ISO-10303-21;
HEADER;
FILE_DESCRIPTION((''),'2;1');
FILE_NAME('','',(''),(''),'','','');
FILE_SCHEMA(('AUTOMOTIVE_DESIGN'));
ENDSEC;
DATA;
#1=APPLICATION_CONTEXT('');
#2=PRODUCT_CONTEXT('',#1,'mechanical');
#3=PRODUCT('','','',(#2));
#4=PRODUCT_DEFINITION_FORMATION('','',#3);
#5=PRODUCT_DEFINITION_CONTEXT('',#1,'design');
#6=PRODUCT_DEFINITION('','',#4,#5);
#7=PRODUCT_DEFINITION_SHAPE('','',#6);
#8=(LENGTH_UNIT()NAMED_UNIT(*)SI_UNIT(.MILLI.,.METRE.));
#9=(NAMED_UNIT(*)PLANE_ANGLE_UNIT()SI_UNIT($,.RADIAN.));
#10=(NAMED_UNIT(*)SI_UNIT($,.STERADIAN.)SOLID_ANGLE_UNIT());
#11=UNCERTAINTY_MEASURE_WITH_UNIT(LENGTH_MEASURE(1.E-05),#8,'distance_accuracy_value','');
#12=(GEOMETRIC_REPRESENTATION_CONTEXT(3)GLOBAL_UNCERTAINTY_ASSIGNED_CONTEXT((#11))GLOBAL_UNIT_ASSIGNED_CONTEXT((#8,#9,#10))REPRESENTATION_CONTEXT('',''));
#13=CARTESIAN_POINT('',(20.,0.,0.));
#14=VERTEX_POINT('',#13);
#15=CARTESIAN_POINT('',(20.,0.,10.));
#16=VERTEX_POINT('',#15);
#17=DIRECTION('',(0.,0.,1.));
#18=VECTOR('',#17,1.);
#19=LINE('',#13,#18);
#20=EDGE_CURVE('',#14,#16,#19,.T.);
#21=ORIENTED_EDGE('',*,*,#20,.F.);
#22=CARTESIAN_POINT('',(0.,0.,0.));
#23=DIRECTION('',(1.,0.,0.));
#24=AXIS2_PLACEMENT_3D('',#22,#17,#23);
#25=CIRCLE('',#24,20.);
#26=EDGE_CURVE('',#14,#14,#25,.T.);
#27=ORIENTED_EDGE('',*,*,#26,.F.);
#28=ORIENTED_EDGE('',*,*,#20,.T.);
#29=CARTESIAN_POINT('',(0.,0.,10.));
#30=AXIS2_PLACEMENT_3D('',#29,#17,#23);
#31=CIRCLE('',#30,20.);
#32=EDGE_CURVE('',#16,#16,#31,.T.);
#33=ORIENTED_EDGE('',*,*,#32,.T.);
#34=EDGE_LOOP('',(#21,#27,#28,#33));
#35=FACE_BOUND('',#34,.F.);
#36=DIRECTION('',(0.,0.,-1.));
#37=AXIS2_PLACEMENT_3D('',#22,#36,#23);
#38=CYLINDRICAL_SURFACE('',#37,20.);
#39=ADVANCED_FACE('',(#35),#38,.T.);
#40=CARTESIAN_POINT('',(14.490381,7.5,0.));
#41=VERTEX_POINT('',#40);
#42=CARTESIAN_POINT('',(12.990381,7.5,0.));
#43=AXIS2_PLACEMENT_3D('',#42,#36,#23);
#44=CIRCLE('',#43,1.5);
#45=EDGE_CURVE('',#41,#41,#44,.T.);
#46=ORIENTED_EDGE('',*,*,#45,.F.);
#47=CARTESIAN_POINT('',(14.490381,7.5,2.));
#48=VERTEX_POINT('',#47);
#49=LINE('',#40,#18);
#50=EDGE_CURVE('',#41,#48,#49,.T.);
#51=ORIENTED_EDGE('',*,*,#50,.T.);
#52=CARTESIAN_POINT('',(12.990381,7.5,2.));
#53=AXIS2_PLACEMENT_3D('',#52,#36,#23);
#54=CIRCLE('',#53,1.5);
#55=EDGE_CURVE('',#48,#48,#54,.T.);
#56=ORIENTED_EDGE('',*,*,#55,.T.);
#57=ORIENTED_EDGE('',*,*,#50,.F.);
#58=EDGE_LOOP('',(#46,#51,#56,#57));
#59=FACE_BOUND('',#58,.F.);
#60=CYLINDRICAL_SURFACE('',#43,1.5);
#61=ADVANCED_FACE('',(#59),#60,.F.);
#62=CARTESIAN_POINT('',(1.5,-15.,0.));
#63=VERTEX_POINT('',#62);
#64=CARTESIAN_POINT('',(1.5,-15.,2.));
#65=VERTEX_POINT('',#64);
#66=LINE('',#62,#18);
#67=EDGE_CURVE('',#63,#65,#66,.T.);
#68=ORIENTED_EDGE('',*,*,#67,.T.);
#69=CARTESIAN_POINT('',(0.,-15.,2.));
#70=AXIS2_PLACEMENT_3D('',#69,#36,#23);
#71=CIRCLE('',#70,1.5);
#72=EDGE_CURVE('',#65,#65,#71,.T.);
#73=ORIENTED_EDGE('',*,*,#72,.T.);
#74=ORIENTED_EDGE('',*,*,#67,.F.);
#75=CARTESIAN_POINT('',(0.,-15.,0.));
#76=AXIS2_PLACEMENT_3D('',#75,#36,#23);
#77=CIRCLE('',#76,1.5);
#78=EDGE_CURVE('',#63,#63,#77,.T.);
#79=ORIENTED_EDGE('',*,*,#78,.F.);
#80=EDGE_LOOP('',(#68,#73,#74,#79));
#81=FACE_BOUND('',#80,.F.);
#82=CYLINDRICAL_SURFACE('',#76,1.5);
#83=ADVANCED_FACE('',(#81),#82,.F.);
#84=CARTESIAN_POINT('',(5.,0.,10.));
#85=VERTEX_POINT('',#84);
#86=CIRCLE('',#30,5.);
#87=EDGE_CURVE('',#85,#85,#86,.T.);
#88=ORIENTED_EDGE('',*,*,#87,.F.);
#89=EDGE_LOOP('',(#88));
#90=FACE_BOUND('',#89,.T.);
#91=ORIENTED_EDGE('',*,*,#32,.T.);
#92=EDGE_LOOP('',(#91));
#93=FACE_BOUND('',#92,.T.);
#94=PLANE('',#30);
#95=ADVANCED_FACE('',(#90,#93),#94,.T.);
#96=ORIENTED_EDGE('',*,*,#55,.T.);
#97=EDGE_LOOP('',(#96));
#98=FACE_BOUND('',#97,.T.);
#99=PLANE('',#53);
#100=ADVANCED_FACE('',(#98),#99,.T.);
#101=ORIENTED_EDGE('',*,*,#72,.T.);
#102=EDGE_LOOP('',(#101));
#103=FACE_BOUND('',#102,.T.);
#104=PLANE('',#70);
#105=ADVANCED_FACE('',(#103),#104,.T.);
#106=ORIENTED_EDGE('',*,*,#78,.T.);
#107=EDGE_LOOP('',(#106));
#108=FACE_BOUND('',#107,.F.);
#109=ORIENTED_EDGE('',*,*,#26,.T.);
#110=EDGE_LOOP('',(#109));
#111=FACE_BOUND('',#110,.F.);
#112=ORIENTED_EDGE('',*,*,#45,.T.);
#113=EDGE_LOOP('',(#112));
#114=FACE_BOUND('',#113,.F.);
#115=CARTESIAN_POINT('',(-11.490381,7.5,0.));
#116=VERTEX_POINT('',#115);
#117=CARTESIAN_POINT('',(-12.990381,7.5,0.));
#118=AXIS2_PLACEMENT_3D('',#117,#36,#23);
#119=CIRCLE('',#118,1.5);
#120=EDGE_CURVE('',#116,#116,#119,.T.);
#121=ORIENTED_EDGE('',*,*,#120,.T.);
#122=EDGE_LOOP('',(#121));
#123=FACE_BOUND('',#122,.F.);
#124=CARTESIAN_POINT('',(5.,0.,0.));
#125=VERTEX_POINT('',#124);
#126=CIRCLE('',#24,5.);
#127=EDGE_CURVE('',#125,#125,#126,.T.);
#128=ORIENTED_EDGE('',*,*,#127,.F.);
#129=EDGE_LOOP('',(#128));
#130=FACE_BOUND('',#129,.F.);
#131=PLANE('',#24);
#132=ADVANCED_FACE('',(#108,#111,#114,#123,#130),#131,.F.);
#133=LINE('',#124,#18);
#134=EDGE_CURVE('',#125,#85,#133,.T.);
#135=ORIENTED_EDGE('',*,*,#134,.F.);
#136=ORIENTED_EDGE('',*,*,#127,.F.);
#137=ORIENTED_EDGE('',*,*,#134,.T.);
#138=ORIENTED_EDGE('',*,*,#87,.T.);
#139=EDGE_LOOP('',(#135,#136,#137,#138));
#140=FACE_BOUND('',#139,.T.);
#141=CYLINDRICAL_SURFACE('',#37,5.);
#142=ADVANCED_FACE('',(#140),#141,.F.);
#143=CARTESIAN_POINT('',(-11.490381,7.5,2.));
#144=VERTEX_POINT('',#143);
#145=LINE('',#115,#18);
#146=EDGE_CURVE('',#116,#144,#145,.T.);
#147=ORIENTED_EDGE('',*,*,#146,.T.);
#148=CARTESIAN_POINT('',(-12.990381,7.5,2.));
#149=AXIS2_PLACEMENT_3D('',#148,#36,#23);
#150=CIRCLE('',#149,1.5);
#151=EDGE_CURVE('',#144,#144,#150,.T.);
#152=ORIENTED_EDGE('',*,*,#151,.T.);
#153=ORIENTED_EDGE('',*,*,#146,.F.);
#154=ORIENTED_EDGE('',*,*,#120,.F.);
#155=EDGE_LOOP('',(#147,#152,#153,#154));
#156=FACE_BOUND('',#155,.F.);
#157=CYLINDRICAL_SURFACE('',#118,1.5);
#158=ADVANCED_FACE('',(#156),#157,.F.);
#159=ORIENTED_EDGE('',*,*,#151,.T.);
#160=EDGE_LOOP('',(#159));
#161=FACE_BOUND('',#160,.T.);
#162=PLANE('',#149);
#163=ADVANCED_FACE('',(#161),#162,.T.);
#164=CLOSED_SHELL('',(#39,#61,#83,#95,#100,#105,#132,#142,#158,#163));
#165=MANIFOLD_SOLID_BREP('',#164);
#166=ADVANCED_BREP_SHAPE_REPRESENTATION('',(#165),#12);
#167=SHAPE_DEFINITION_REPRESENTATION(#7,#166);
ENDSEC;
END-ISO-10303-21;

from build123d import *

# Parameters (mm, degrees)
F0_R     = 20
F0_R_2   = 5
F1_DEPTH = 10
F2_R     = 1.5
F3_DEPTH = 2


with BuildPart() as f1:
    # F0 (on Top) → F1 (new body)
    with BuildSketch(Plane.XY):
        Circle(F0_R)
        Circle(F0_R_2, mode=Mode.SUBTRACT)
    extrude(amount=F1_DEPTH)

    # F2 (on face) → F3 (cut)
    with BuildSketch(Plane(origin=(0, 0, 0), x_dir=(1, 0, 0), z_dir=(0, 0, -1))):
        with Locations((0, 15)):
            Circle(F2_R)
        with Locations((-12.990381, -7.5)):
            Circle(F2_R)
        with Locations((12.990381, -7.5)):
            Circle(F2_R)
    extrude(amount=-F3_DEPTH, mode=Mode.SUBTRACT)


solid = f1.part
